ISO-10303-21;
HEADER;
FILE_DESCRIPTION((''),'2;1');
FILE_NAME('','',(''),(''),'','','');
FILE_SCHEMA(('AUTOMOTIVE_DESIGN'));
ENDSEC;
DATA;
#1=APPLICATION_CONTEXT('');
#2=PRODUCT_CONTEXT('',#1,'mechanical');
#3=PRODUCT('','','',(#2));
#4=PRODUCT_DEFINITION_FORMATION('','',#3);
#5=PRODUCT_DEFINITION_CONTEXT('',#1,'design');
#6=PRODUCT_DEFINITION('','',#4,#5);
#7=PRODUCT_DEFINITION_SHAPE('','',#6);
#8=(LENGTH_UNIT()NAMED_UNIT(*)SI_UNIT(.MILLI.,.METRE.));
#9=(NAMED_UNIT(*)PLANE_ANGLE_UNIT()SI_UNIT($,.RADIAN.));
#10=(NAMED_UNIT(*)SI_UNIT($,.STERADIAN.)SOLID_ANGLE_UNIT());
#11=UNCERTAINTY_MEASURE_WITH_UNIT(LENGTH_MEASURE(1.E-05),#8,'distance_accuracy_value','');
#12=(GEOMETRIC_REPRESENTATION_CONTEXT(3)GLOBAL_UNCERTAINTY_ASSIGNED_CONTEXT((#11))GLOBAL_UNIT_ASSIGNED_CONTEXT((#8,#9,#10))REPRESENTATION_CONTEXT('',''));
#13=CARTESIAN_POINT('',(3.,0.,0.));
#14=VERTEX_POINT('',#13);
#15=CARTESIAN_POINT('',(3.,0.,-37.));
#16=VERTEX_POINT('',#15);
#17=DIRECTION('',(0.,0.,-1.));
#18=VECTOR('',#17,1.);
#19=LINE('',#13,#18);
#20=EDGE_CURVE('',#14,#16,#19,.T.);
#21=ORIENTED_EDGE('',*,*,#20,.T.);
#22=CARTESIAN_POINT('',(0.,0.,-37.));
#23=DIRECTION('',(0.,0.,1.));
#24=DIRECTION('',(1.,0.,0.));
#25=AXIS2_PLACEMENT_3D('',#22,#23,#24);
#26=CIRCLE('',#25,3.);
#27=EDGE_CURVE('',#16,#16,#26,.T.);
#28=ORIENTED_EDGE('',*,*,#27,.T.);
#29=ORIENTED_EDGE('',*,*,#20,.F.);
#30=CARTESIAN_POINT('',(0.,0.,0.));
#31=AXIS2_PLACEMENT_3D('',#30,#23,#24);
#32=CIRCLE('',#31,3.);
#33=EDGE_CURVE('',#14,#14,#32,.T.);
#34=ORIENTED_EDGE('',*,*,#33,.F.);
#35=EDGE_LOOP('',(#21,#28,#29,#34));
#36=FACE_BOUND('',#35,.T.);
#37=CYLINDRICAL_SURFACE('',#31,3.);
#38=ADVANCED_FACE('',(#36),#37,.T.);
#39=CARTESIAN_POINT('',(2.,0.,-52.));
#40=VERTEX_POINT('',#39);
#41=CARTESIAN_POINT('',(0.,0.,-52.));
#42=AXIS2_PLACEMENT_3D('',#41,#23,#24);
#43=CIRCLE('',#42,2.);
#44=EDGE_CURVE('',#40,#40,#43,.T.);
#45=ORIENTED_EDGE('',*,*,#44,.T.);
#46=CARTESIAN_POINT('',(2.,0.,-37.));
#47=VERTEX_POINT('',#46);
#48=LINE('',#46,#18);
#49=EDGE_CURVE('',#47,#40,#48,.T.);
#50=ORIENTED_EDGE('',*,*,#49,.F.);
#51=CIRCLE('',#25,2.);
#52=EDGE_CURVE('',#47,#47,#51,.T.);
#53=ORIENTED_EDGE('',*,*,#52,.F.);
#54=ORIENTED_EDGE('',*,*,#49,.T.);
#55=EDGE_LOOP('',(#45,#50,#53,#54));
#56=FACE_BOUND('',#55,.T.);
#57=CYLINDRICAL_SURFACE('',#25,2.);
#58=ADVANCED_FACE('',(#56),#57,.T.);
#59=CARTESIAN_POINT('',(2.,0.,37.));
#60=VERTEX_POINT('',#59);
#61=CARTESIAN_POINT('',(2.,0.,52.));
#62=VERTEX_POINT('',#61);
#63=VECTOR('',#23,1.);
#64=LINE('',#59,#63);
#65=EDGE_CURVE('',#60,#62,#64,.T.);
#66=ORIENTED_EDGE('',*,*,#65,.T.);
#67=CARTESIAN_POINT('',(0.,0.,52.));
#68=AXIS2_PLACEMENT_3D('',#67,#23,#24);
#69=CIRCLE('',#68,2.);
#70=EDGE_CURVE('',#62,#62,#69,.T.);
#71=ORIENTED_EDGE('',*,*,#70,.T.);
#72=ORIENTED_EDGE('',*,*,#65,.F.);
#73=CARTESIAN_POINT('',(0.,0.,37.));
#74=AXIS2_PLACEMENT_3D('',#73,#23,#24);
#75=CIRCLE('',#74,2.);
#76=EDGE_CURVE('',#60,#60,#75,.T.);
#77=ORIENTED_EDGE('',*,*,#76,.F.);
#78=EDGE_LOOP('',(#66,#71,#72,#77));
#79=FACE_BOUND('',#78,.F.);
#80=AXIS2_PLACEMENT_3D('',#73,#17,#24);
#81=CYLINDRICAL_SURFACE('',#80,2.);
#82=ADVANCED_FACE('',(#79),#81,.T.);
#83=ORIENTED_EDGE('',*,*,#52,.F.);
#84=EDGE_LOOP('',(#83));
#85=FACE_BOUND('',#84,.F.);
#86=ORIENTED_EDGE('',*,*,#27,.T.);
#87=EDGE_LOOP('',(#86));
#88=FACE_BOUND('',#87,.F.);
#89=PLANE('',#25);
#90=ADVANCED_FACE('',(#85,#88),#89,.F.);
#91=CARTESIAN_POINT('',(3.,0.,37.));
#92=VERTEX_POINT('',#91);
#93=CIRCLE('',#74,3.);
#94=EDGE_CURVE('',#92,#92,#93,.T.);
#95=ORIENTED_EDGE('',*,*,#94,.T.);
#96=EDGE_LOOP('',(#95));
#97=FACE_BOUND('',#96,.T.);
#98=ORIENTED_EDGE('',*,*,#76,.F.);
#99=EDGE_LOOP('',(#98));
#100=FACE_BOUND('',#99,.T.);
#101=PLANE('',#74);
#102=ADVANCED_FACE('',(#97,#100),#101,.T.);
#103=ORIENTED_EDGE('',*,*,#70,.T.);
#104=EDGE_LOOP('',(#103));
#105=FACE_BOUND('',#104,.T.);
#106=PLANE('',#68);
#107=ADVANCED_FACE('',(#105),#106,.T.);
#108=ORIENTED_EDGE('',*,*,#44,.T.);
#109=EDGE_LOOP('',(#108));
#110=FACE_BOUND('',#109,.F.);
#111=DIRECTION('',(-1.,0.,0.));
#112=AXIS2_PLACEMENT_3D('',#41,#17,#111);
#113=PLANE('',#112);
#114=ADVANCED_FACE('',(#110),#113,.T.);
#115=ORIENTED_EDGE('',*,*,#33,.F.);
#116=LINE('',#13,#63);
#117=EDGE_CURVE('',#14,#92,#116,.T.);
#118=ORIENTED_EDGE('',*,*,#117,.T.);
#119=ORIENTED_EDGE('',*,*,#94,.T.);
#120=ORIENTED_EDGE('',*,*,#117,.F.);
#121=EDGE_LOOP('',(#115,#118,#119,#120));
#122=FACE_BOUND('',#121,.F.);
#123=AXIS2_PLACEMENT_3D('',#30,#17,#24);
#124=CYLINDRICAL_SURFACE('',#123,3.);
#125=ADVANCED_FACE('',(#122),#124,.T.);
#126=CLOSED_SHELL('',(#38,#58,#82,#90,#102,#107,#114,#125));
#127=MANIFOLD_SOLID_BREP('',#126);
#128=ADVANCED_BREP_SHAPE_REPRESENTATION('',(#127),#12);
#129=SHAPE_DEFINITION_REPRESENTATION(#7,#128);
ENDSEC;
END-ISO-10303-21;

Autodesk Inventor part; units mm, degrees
ref_plane "YZ Plane" through (0, 0, 0) normal (1, 0, 0) x (0, 1, 0)
ref_plane "XZ Plane" through (0, 0, 0) normal (0, 1, 0) x (-1, 0, 0)
ref_plane "XY Plane" through (0, 0, 0) normal (0, 0, 1) x (1, 0, 0)
sketch "Sketch1" plane through (0, 0, 0) normal (0, 0, 1) x (1, 0, 0)
  circle A0 centre (0, 0) radius 3
  dimension "d0" = 6
extrude "Extrusion1" add sketch "Sketch1" along normal mid plane 74
sketch "Sketch2" plane through (0, 0, 37) normal (0, 0, 1) x (1, 0, 0)
  circle A0 centre (0, 0) radius 3 projected
  circle A1 centre (0, 0) radius 2
  dimension "d3" = 4
extrude "Extrusion2" add sketch "Sketch2" along normal blind 15 contours A1
ref_plane "Work Plane1" through (0, 0, 0) normal (0, 0, 1) x (1, 0, 0)
mirror "Mirror1" about plane through (0, 0, 0) normal (0, 0, 1) of "Extrusion2"
ref_plane "Work Plane2" through (0, 0, 0) normal (0, 0, 1) x (1, 0, 0)
properties part number "four"
